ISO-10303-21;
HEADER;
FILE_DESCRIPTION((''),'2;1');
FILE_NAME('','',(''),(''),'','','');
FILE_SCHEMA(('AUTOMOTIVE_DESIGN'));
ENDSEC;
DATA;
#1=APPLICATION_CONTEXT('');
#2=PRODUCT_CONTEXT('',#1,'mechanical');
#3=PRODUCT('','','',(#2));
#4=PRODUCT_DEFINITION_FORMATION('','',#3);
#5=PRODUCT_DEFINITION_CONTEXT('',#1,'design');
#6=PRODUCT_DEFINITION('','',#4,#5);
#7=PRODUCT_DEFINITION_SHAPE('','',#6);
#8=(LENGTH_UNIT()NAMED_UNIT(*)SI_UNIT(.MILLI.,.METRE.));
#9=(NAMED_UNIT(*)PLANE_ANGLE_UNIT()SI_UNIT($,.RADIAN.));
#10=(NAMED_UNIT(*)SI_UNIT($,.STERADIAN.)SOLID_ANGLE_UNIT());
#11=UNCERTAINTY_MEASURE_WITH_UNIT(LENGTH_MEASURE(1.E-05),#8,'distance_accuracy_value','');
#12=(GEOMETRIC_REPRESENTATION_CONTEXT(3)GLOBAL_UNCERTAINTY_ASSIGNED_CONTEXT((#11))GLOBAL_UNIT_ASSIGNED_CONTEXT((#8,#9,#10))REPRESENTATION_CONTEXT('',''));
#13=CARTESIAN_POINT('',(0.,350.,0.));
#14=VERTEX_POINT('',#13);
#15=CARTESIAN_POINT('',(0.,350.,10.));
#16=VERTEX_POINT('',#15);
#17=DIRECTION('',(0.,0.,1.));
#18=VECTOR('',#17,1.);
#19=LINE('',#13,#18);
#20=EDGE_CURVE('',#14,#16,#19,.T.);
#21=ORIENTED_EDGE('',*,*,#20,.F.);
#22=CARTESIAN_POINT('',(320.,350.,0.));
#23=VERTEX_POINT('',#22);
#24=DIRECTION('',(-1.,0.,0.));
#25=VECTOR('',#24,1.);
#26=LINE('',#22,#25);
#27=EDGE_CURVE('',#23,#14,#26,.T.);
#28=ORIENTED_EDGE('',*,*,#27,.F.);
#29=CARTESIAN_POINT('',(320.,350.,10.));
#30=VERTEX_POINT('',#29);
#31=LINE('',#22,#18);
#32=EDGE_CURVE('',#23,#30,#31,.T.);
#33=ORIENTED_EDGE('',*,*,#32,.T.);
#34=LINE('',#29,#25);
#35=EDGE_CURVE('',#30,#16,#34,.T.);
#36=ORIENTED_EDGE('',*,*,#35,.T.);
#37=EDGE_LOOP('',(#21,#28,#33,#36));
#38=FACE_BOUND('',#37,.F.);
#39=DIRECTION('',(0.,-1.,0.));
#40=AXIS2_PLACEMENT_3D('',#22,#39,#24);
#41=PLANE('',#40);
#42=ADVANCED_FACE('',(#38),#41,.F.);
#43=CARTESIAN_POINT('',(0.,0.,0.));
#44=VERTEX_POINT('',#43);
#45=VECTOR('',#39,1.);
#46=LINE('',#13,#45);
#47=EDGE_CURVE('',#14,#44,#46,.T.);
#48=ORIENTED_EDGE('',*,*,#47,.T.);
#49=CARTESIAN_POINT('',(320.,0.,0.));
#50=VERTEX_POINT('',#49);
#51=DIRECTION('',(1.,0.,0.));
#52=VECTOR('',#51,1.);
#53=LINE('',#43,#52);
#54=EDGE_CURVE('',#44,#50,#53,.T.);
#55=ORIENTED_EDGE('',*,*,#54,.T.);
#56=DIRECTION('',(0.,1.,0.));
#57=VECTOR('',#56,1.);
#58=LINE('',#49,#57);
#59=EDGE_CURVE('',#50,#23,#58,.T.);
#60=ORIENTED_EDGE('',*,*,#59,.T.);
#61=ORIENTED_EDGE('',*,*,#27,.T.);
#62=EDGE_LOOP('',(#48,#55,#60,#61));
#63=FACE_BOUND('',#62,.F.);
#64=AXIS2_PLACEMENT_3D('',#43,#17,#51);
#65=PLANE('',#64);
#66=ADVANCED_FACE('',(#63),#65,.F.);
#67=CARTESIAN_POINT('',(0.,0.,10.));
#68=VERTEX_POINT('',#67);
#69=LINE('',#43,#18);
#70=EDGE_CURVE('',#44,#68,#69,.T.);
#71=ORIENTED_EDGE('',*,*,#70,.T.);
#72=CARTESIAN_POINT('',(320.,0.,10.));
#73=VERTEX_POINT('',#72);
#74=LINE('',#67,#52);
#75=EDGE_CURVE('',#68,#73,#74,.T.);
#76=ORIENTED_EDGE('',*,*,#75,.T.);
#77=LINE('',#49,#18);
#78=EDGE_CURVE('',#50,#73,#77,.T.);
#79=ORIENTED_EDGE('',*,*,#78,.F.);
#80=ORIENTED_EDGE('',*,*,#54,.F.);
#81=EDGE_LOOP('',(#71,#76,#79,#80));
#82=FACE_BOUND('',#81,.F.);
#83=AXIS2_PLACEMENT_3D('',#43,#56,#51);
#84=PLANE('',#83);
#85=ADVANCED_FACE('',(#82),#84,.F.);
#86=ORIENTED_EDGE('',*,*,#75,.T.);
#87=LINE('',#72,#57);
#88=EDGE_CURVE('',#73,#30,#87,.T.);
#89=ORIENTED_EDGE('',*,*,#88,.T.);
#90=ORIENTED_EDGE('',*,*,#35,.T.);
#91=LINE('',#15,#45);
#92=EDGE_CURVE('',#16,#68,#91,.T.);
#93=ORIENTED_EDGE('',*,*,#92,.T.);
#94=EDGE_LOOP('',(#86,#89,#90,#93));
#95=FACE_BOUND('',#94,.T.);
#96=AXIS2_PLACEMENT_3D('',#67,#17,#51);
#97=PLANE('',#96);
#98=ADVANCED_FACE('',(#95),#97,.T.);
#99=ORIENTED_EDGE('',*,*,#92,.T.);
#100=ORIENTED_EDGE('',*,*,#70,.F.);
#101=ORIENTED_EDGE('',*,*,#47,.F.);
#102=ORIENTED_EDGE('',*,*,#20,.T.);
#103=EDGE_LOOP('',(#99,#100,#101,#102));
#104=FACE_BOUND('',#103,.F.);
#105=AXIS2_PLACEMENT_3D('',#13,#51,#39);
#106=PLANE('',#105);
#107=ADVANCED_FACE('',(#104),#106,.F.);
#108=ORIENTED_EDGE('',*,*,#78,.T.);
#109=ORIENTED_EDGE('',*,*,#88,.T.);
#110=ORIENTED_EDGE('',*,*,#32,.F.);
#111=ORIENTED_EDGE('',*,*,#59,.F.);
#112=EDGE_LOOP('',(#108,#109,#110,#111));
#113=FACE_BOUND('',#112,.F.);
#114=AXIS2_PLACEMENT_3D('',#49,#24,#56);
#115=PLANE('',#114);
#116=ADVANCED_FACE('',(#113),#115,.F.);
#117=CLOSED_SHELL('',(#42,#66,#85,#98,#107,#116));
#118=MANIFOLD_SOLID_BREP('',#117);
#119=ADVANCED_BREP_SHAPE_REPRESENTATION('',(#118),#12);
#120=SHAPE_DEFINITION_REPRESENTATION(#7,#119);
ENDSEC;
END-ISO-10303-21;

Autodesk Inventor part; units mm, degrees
ref_plane "YZ Plane" through (0, 0, 0) normal (1, 0, 0) x (0, 1, 0)
ref_plane "XZ Plane" through (0, 0, 0) normal (0, 1, 0) x (-1, 0, 0)
ref_plane "XY Plane" through (0, 0, 0) normal (0, 0, 1) x (1, 0, 0)
sketch "Sketch1" plane through (0, 0, 0) normal (0, 0, 1) x (1, 0, 0)
  line L0 (0, 0) -> (320, 0)
  line L1 (320, 0) -> (320, 350)
  line L2 (320, 350) -> (0, 350)
  line L3 (0, 350) -> (0, 0)
  dimension "d0" = 320
  dimension "d1" = 350
extrude "Extrusion1" add sketch "Sketch1" along normal blind 10
properties part number "opener_main" material "PC/ABS Plastic"
